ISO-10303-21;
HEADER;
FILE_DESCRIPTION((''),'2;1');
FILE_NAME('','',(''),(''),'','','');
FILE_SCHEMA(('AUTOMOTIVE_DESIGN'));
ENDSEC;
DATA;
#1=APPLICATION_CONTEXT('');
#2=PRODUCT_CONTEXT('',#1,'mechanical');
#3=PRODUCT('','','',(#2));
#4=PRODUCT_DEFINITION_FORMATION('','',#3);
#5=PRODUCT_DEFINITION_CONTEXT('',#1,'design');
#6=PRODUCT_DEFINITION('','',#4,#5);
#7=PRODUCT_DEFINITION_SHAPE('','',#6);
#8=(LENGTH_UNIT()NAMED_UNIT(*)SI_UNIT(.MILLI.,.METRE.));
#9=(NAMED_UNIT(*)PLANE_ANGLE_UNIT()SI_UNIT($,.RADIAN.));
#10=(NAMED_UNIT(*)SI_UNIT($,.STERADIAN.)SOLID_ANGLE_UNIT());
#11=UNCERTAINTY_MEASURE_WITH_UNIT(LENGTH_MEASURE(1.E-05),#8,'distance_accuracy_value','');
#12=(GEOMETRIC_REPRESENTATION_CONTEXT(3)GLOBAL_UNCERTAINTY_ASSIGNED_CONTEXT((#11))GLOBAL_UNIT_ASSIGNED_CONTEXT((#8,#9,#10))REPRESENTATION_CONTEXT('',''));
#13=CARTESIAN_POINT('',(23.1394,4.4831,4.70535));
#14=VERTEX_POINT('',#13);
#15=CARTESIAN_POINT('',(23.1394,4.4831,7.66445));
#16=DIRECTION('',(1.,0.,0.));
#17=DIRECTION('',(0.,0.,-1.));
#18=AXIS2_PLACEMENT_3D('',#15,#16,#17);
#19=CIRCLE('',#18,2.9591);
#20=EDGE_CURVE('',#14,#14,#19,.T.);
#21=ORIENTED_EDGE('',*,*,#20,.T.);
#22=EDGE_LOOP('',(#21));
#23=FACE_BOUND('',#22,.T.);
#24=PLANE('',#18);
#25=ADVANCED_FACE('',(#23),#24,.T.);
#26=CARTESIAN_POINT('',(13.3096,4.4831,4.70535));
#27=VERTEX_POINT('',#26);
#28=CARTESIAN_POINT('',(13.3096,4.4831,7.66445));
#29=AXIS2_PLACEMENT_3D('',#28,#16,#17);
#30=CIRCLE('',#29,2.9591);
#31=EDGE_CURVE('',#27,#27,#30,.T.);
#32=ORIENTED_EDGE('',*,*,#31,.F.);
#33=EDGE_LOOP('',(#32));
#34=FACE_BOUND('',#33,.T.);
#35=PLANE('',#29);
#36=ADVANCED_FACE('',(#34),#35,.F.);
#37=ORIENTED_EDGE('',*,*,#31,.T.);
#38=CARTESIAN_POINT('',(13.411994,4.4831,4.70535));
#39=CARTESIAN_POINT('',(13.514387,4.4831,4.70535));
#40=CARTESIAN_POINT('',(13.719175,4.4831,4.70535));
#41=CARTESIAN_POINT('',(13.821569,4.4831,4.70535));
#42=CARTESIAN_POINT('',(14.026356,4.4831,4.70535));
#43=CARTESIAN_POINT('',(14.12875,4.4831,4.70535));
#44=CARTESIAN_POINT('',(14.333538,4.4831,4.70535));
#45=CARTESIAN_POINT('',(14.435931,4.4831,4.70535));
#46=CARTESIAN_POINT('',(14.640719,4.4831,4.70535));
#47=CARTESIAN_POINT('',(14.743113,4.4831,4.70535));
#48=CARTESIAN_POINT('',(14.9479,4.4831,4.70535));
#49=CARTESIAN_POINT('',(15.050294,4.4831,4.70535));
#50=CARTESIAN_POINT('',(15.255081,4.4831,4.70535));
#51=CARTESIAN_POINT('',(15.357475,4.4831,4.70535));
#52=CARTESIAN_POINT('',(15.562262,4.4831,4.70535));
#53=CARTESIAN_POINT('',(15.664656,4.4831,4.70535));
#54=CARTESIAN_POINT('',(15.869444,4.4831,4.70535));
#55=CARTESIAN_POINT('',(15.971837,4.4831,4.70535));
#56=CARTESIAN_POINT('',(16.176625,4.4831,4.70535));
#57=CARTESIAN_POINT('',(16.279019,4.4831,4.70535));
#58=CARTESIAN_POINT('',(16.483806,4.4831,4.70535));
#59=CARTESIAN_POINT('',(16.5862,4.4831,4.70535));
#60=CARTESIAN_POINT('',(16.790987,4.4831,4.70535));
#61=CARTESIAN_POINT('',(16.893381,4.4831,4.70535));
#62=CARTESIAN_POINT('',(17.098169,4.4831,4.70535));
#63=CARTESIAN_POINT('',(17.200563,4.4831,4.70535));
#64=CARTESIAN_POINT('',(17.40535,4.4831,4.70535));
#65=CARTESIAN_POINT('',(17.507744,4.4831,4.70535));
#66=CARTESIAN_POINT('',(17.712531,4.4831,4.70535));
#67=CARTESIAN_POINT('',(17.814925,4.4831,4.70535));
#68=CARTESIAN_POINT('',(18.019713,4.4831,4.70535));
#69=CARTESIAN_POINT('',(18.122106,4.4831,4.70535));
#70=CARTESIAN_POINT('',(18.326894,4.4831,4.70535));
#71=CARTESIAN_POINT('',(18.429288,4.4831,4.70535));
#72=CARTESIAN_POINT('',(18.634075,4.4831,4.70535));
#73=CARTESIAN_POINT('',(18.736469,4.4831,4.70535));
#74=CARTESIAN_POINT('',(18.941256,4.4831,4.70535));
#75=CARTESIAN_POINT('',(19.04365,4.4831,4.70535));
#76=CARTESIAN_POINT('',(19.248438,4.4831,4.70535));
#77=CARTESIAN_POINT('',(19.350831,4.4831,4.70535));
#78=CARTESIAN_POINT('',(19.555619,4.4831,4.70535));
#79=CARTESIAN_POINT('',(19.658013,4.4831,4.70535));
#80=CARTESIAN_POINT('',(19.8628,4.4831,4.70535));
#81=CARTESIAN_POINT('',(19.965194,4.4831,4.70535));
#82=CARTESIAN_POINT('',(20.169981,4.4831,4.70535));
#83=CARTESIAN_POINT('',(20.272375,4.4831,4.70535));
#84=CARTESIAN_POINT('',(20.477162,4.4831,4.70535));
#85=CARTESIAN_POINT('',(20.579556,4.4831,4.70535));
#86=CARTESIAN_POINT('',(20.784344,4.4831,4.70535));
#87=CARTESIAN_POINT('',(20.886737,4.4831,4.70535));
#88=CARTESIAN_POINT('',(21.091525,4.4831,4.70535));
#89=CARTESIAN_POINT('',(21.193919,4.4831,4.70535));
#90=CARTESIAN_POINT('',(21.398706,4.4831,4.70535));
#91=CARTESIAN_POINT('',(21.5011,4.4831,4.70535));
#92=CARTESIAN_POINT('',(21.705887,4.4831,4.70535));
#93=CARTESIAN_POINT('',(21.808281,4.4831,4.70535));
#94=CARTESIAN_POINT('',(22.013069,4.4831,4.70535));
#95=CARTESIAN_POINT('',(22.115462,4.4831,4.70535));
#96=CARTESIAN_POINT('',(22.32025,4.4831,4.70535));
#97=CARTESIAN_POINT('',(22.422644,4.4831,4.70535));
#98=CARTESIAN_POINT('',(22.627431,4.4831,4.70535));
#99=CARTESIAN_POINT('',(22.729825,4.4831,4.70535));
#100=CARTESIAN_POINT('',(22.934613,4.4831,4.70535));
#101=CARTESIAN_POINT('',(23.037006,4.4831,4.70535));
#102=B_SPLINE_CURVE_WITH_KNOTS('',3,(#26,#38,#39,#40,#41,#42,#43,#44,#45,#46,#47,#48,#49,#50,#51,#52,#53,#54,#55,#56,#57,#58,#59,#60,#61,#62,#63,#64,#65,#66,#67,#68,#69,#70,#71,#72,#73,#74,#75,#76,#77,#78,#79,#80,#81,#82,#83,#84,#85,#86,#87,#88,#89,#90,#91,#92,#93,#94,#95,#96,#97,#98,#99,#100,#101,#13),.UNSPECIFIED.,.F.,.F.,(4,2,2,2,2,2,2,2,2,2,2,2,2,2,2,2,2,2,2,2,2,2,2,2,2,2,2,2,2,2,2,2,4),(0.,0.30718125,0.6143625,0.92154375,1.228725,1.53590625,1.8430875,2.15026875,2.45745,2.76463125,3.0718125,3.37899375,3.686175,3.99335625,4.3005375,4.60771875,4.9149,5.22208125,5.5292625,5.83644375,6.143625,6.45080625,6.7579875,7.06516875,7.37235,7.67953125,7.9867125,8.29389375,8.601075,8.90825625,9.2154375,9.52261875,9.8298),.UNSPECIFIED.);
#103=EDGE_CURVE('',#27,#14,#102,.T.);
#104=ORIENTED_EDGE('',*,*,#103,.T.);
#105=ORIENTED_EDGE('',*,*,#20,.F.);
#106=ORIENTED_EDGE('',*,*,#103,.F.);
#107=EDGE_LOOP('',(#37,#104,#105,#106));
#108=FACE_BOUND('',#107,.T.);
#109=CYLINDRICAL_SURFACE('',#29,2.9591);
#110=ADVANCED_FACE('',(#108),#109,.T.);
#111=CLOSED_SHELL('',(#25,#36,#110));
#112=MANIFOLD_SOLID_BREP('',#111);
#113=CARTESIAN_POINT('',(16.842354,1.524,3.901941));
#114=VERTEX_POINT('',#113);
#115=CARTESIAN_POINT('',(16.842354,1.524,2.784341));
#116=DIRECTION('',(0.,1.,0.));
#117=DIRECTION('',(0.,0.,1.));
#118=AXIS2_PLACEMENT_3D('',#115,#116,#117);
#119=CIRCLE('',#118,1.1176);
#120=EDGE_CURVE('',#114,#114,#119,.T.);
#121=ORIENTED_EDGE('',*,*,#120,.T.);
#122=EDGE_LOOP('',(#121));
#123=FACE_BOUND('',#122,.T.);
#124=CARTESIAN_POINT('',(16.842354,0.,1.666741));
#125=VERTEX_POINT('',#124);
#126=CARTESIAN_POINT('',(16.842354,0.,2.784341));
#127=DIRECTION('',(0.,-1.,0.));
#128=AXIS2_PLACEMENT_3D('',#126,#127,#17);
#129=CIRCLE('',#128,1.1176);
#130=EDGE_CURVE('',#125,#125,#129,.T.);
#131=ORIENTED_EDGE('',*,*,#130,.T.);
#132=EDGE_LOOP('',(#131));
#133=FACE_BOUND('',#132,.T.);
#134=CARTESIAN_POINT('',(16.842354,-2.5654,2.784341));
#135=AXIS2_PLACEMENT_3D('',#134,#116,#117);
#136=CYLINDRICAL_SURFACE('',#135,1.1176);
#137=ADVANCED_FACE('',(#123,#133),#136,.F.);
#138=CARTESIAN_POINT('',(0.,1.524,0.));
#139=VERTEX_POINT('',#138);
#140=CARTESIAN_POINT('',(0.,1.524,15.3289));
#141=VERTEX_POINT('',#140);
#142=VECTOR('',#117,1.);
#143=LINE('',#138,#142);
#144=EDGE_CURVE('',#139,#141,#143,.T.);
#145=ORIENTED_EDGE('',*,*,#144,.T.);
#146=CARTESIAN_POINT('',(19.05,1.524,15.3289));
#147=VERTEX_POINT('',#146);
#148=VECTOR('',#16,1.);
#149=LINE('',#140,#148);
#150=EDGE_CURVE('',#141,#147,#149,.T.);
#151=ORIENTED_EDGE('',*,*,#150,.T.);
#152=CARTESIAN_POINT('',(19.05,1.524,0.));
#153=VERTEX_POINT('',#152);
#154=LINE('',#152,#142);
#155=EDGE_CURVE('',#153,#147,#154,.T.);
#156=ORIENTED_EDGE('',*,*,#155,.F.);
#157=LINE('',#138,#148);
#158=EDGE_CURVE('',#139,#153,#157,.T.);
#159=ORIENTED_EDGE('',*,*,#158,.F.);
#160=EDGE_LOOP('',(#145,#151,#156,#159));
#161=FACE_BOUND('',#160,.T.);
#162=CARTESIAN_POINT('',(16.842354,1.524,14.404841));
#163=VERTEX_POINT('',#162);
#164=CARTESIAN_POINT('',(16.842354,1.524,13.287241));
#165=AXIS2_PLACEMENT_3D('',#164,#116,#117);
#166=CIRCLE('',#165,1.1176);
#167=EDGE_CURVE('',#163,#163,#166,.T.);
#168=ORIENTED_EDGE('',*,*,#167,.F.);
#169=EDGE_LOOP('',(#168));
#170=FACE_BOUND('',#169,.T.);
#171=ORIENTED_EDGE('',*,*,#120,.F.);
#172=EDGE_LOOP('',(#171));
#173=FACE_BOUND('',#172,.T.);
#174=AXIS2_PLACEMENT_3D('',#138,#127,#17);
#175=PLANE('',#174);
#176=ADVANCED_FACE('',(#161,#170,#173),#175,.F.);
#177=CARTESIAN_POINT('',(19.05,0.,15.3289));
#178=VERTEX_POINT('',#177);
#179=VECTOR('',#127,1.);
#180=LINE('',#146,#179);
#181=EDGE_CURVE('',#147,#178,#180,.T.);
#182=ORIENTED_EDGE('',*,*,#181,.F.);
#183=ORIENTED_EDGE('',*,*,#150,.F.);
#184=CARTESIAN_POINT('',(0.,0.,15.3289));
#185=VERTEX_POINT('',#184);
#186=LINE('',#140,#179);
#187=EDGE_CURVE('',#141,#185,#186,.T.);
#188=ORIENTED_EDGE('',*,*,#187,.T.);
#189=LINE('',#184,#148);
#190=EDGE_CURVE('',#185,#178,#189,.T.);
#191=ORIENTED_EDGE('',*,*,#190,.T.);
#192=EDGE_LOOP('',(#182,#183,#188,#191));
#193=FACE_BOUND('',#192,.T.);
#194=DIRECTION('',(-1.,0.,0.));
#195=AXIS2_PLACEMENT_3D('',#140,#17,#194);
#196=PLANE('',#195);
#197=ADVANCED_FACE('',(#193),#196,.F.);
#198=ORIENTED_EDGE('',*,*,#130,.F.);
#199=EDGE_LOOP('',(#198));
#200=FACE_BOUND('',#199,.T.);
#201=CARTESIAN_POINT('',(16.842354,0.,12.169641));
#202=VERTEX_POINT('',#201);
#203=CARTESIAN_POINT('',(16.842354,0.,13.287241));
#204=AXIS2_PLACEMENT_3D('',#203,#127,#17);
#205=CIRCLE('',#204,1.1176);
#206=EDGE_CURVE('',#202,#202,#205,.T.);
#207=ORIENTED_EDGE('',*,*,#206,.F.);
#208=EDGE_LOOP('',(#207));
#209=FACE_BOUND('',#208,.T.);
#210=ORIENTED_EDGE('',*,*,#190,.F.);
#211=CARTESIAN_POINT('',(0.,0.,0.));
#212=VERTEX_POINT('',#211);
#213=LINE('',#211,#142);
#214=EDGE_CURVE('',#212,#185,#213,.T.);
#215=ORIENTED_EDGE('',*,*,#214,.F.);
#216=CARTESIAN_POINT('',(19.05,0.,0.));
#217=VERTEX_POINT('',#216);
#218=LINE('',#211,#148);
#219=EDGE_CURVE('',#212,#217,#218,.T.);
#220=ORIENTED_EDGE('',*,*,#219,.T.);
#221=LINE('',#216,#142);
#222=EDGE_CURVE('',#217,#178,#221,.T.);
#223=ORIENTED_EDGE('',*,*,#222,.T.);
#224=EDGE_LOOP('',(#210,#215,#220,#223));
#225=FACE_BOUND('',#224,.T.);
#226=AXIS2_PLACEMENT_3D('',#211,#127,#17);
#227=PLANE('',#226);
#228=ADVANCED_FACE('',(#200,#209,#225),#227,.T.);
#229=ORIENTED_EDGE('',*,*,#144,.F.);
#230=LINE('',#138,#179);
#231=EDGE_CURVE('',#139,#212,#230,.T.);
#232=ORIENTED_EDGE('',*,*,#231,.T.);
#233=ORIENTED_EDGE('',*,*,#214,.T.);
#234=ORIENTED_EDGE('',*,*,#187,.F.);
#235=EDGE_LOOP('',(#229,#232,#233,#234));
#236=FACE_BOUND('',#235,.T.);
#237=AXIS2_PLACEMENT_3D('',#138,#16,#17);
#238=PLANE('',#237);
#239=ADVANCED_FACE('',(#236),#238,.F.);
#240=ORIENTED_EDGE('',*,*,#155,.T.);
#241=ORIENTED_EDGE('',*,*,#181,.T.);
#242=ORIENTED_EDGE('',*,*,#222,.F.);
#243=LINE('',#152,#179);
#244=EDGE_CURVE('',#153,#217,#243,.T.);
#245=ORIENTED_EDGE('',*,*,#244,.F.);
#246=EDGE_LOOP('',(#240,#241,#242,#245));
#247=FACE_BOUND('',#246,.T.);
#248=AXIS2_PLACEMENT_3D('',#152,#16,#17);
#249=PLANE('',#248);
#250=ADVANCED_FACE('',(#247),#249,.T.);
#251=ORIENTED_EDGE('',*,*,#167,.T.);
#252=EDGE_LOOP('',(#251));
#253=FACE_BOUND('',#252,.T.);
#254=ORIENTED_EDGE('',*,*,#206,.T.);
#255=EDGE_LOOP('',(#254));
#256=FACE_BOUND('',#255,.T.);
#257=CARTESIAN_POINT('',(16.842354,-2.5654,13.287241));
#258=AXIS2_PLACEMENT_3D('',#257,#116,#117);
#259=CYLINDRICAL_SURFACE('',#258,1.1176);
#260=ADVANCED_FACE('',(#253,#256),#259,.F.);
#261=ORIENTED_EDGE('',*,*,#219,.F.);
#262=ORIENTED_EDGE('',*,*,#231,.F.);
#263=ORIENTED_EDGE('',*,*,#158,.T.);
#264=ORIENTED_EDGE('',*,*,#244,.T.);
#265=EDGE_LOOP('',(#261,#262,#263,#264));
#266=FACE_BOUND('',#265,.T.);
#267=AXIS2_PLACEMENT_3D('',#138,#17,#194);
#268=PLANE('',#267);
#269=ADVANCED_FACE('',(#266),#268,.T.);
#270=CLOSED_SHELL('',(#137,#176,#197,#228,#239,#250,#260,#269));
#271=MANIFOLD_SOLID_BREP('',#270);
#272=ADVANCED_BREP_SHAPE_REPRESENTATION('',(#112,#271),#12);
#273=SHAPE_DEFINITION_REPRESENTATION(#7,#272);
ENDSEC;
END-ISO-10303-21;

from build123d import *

# Parameters (mm, degrees)
SKETCH1_W                = 19.05
SKETCH1_H                = 15.3289
BOSS_EXTRUDE1_DEPTH      = 1.524
BOSS_EXTRUDE2_DEPTH      = 4.0894
BOSS_EXTRUDE2_DEPTH_BACK = 5.7404
SKETCH3_R                = 2.9591
SKETCH6_R                = 1.1176
CUT_EXTRUDE1_DEPTH       = 4.0894


with BuildPart() as part:
    # Sketch1 → Boss-Extrude1 (new body)
    with BuildSketch(Plane(origin=(0, 0, 0), x_dir=(1, 0, 0), z_dir=(0, 1, 0))):
        with Locations((9.525, -7.66445)):
            Rectangle(SKETCH1_W, SKETCH1_H)
    extrude(amount=BOSS_EXTRUDE1_DEPTH)

    # Sketch6 → Cut-Extrude1 (cut)
    with BuildSketch(Plane(origin=(0, 1.524, 0), x_dir=(1, 0, 0), z_dir=(0, 1, 0))):
        with Locations(Location((16.842353548, -13.287240698, 0), (0, 0, 270))):
            Circle(SKETCH6_R)
        with Locations(Location((16.842353548, -2.784340698, 0), (0, 0, 270))):
            Circle(SKETCH6_R)
    extrude(amount=-CUT_EXTRUDE1_DEPTH, mode=Mode.SUBTRACT)


with BuildPart() as body_2:
    # Sketch3 → Boss-Extrude2 (new, two sides: drawn at the far end of the back side and taken through both)
    with BuildSketch(Plane(origin=(19.05, 0, 0), x_dir=(0, 0, -1), z_dir=(1, 0, 0)).offset(-BOSS_EXTRUDE2_DEPTH_BACK)):
        with Locations((-7.66445, 4.4831)):
            Circle(SKETCH3_R)
    extrude(amount=BOSS_EXTRUDE2_DEPTH + BOSS_EXTRUDE2_DEPTH_BACK)


solid = Compound([part.part, body_2.part])
